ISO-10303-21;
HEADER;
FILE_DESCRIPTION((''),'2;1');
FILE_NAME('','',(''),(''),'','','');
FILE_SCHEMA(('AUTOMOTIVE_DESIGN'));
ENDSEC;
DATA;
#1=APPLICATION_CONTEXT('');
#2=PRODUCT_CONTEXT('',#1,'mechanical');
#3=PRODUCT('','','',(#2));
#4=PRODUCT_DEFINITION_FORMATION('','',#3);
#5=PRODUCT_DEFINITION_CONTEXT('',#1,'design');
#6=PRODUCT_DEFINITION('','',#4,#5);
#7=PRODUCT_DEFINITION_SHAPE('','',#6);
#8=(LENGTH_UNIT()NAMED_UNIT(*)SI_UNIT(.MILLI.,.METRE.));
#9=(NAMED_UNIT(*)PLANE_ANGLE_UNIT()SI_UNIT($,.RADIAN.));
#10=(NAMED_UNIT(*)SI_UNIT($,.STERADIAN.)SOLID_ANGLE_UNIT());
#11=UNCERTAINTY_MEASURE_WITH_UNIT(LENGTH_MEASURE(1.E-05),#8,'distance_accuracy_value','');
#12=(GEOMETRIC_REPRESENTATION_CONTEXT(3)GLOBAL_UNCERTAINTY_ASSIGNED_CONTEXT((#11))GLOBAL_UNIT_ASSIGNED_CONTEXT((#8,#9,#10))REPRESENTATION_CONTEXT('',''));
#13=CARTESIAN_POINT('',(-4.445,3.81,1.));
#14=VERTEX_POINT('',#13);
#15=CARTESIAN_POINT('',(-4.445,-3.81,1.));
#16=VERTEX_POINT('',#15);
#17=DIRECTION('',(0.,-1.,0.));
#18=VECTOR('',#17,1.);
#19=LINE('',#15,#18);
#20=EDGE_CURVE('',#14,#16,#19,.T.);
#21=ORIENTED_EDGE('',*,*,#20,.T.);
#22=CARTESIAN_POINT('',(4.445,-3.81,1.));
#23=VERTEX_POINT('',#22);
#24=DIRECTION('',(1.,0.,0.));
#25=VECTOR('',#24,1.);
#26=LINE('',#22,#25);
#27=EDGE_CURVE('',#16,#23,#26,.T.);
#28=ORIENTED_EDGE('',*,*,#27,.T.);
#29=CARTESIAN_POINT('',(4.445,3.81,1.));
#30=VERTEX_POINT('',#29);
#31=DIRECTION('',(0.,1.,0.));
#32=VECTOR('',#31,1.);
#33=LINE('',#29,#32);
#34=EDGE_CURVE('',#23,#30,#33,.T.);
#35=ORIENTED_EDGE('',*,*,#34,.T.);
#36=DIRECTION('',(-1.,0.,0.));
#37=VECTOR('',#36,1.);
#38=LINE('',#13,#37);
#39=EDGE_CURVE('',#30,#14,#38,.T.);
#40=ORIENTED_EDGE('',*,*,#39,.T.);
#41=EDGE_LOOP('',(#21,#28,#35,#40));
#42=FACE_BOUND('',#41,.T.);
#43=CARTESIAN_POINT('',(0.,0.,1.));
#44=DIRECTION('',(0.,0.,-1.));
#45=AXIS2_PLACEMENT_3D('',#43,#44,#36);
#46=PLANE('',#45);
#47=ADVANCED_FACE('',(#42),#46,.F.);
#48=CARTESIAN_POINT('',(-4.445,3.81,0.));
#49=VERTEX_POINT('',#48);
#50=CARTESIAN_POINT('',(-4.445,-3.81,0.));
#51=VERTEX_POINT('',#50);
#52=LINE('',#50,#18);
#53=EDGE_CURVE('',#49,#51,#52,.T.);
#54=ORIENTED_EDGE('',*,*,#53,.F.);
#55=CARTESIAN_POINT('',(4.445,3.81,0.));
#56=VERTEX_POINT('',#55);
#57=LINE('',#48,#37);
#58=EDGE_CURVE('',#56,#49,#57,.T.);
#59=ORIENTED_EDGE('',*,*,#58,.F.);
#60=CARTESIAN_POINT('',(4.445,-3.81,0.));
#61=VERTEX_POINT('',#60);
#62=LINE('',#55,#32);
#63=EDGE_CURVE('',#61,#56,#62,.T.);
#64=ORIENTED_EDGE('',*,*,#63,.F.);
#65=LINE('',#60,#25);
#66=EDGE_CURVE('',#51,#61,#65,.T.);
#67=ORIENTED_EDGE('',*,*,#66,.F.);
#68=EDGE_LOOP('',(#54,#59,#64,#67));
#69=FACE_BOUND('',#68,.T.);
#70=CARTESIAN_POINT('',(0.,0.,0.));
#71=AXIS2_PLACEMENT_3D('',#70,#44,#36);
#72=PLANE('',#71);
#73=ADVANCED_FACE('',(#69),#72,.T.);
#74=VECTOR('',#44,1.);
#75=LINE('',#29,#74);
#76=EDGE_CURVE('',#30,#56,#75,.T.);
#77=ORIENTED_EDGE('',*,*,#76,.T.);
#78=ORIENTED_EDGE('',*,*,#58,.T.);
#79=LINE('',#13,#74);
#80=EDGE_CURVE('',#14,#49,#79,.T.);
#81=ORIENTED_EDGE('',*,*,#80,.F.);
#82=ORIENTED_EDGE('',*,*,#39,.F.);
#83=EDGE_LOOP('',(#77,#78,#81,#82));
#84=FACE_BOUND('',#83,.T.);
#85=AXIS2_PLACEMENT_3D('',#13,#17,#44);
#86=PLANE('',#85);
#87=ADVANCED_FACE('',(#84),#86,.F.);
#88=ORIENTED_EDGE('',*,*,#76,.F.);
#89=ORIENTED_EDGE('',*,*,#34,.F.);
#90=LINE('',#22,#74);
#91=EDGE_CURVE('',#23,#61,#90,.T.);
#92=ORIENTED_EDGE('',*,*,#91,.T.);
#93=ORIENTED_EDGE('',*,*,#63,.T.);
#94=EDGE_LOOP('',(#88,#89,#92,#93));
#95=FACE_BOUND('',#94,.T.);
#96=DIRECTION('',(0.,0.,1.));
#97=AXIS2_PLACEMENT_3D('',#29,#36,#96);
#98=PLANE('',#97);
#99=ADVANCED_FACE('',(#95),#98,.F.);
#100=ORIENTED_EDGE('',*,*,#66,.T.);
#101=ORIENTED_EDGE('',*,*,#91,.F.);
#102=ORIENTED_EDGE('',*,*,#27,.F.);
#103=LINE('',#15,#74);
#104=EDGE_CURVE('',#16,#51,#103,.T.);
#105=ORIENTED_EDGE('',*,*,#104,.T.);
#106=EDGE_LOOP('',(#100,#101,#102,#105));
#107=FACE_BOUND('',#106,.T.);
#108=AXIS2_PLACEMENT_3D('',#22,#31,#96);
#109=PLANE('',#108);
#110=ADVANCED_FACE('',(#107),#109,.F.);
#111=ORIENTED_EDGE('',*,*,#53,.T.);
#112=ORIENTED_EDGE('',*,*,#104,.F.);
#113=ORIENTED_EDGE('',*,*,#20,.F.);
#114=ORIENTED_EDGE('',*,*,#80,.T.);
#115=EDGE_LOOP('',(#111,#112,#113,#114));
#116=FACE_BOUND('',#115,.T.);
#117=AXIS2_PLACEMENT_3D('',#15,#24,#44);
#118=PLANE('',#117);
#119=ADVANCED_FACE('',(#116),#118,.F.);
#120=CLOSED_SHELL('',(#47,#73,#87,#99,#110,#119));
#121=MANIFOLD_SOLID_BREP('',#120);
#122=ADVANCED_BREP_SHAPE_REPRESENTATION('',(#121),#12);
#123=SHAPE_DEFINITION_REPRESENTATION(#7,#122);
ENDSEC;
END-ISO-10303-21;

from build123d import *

# Parameters (mm, degrees)
SKETCH1_W               = 8.89
SKETCH1_H               = 7.62
COMPONENT_OUTLINE_DEPTH = 1


with BuildPart() as part:
    # Sketch1 → Component_Outline (new body)
    with BuildSketch(Plane.XY):
        Rectangle(SKETCH1_W, SKETCH1_H)
    extrude(amount=COMPONENT_OUTLINE_DEPTH)


solid = part.part
